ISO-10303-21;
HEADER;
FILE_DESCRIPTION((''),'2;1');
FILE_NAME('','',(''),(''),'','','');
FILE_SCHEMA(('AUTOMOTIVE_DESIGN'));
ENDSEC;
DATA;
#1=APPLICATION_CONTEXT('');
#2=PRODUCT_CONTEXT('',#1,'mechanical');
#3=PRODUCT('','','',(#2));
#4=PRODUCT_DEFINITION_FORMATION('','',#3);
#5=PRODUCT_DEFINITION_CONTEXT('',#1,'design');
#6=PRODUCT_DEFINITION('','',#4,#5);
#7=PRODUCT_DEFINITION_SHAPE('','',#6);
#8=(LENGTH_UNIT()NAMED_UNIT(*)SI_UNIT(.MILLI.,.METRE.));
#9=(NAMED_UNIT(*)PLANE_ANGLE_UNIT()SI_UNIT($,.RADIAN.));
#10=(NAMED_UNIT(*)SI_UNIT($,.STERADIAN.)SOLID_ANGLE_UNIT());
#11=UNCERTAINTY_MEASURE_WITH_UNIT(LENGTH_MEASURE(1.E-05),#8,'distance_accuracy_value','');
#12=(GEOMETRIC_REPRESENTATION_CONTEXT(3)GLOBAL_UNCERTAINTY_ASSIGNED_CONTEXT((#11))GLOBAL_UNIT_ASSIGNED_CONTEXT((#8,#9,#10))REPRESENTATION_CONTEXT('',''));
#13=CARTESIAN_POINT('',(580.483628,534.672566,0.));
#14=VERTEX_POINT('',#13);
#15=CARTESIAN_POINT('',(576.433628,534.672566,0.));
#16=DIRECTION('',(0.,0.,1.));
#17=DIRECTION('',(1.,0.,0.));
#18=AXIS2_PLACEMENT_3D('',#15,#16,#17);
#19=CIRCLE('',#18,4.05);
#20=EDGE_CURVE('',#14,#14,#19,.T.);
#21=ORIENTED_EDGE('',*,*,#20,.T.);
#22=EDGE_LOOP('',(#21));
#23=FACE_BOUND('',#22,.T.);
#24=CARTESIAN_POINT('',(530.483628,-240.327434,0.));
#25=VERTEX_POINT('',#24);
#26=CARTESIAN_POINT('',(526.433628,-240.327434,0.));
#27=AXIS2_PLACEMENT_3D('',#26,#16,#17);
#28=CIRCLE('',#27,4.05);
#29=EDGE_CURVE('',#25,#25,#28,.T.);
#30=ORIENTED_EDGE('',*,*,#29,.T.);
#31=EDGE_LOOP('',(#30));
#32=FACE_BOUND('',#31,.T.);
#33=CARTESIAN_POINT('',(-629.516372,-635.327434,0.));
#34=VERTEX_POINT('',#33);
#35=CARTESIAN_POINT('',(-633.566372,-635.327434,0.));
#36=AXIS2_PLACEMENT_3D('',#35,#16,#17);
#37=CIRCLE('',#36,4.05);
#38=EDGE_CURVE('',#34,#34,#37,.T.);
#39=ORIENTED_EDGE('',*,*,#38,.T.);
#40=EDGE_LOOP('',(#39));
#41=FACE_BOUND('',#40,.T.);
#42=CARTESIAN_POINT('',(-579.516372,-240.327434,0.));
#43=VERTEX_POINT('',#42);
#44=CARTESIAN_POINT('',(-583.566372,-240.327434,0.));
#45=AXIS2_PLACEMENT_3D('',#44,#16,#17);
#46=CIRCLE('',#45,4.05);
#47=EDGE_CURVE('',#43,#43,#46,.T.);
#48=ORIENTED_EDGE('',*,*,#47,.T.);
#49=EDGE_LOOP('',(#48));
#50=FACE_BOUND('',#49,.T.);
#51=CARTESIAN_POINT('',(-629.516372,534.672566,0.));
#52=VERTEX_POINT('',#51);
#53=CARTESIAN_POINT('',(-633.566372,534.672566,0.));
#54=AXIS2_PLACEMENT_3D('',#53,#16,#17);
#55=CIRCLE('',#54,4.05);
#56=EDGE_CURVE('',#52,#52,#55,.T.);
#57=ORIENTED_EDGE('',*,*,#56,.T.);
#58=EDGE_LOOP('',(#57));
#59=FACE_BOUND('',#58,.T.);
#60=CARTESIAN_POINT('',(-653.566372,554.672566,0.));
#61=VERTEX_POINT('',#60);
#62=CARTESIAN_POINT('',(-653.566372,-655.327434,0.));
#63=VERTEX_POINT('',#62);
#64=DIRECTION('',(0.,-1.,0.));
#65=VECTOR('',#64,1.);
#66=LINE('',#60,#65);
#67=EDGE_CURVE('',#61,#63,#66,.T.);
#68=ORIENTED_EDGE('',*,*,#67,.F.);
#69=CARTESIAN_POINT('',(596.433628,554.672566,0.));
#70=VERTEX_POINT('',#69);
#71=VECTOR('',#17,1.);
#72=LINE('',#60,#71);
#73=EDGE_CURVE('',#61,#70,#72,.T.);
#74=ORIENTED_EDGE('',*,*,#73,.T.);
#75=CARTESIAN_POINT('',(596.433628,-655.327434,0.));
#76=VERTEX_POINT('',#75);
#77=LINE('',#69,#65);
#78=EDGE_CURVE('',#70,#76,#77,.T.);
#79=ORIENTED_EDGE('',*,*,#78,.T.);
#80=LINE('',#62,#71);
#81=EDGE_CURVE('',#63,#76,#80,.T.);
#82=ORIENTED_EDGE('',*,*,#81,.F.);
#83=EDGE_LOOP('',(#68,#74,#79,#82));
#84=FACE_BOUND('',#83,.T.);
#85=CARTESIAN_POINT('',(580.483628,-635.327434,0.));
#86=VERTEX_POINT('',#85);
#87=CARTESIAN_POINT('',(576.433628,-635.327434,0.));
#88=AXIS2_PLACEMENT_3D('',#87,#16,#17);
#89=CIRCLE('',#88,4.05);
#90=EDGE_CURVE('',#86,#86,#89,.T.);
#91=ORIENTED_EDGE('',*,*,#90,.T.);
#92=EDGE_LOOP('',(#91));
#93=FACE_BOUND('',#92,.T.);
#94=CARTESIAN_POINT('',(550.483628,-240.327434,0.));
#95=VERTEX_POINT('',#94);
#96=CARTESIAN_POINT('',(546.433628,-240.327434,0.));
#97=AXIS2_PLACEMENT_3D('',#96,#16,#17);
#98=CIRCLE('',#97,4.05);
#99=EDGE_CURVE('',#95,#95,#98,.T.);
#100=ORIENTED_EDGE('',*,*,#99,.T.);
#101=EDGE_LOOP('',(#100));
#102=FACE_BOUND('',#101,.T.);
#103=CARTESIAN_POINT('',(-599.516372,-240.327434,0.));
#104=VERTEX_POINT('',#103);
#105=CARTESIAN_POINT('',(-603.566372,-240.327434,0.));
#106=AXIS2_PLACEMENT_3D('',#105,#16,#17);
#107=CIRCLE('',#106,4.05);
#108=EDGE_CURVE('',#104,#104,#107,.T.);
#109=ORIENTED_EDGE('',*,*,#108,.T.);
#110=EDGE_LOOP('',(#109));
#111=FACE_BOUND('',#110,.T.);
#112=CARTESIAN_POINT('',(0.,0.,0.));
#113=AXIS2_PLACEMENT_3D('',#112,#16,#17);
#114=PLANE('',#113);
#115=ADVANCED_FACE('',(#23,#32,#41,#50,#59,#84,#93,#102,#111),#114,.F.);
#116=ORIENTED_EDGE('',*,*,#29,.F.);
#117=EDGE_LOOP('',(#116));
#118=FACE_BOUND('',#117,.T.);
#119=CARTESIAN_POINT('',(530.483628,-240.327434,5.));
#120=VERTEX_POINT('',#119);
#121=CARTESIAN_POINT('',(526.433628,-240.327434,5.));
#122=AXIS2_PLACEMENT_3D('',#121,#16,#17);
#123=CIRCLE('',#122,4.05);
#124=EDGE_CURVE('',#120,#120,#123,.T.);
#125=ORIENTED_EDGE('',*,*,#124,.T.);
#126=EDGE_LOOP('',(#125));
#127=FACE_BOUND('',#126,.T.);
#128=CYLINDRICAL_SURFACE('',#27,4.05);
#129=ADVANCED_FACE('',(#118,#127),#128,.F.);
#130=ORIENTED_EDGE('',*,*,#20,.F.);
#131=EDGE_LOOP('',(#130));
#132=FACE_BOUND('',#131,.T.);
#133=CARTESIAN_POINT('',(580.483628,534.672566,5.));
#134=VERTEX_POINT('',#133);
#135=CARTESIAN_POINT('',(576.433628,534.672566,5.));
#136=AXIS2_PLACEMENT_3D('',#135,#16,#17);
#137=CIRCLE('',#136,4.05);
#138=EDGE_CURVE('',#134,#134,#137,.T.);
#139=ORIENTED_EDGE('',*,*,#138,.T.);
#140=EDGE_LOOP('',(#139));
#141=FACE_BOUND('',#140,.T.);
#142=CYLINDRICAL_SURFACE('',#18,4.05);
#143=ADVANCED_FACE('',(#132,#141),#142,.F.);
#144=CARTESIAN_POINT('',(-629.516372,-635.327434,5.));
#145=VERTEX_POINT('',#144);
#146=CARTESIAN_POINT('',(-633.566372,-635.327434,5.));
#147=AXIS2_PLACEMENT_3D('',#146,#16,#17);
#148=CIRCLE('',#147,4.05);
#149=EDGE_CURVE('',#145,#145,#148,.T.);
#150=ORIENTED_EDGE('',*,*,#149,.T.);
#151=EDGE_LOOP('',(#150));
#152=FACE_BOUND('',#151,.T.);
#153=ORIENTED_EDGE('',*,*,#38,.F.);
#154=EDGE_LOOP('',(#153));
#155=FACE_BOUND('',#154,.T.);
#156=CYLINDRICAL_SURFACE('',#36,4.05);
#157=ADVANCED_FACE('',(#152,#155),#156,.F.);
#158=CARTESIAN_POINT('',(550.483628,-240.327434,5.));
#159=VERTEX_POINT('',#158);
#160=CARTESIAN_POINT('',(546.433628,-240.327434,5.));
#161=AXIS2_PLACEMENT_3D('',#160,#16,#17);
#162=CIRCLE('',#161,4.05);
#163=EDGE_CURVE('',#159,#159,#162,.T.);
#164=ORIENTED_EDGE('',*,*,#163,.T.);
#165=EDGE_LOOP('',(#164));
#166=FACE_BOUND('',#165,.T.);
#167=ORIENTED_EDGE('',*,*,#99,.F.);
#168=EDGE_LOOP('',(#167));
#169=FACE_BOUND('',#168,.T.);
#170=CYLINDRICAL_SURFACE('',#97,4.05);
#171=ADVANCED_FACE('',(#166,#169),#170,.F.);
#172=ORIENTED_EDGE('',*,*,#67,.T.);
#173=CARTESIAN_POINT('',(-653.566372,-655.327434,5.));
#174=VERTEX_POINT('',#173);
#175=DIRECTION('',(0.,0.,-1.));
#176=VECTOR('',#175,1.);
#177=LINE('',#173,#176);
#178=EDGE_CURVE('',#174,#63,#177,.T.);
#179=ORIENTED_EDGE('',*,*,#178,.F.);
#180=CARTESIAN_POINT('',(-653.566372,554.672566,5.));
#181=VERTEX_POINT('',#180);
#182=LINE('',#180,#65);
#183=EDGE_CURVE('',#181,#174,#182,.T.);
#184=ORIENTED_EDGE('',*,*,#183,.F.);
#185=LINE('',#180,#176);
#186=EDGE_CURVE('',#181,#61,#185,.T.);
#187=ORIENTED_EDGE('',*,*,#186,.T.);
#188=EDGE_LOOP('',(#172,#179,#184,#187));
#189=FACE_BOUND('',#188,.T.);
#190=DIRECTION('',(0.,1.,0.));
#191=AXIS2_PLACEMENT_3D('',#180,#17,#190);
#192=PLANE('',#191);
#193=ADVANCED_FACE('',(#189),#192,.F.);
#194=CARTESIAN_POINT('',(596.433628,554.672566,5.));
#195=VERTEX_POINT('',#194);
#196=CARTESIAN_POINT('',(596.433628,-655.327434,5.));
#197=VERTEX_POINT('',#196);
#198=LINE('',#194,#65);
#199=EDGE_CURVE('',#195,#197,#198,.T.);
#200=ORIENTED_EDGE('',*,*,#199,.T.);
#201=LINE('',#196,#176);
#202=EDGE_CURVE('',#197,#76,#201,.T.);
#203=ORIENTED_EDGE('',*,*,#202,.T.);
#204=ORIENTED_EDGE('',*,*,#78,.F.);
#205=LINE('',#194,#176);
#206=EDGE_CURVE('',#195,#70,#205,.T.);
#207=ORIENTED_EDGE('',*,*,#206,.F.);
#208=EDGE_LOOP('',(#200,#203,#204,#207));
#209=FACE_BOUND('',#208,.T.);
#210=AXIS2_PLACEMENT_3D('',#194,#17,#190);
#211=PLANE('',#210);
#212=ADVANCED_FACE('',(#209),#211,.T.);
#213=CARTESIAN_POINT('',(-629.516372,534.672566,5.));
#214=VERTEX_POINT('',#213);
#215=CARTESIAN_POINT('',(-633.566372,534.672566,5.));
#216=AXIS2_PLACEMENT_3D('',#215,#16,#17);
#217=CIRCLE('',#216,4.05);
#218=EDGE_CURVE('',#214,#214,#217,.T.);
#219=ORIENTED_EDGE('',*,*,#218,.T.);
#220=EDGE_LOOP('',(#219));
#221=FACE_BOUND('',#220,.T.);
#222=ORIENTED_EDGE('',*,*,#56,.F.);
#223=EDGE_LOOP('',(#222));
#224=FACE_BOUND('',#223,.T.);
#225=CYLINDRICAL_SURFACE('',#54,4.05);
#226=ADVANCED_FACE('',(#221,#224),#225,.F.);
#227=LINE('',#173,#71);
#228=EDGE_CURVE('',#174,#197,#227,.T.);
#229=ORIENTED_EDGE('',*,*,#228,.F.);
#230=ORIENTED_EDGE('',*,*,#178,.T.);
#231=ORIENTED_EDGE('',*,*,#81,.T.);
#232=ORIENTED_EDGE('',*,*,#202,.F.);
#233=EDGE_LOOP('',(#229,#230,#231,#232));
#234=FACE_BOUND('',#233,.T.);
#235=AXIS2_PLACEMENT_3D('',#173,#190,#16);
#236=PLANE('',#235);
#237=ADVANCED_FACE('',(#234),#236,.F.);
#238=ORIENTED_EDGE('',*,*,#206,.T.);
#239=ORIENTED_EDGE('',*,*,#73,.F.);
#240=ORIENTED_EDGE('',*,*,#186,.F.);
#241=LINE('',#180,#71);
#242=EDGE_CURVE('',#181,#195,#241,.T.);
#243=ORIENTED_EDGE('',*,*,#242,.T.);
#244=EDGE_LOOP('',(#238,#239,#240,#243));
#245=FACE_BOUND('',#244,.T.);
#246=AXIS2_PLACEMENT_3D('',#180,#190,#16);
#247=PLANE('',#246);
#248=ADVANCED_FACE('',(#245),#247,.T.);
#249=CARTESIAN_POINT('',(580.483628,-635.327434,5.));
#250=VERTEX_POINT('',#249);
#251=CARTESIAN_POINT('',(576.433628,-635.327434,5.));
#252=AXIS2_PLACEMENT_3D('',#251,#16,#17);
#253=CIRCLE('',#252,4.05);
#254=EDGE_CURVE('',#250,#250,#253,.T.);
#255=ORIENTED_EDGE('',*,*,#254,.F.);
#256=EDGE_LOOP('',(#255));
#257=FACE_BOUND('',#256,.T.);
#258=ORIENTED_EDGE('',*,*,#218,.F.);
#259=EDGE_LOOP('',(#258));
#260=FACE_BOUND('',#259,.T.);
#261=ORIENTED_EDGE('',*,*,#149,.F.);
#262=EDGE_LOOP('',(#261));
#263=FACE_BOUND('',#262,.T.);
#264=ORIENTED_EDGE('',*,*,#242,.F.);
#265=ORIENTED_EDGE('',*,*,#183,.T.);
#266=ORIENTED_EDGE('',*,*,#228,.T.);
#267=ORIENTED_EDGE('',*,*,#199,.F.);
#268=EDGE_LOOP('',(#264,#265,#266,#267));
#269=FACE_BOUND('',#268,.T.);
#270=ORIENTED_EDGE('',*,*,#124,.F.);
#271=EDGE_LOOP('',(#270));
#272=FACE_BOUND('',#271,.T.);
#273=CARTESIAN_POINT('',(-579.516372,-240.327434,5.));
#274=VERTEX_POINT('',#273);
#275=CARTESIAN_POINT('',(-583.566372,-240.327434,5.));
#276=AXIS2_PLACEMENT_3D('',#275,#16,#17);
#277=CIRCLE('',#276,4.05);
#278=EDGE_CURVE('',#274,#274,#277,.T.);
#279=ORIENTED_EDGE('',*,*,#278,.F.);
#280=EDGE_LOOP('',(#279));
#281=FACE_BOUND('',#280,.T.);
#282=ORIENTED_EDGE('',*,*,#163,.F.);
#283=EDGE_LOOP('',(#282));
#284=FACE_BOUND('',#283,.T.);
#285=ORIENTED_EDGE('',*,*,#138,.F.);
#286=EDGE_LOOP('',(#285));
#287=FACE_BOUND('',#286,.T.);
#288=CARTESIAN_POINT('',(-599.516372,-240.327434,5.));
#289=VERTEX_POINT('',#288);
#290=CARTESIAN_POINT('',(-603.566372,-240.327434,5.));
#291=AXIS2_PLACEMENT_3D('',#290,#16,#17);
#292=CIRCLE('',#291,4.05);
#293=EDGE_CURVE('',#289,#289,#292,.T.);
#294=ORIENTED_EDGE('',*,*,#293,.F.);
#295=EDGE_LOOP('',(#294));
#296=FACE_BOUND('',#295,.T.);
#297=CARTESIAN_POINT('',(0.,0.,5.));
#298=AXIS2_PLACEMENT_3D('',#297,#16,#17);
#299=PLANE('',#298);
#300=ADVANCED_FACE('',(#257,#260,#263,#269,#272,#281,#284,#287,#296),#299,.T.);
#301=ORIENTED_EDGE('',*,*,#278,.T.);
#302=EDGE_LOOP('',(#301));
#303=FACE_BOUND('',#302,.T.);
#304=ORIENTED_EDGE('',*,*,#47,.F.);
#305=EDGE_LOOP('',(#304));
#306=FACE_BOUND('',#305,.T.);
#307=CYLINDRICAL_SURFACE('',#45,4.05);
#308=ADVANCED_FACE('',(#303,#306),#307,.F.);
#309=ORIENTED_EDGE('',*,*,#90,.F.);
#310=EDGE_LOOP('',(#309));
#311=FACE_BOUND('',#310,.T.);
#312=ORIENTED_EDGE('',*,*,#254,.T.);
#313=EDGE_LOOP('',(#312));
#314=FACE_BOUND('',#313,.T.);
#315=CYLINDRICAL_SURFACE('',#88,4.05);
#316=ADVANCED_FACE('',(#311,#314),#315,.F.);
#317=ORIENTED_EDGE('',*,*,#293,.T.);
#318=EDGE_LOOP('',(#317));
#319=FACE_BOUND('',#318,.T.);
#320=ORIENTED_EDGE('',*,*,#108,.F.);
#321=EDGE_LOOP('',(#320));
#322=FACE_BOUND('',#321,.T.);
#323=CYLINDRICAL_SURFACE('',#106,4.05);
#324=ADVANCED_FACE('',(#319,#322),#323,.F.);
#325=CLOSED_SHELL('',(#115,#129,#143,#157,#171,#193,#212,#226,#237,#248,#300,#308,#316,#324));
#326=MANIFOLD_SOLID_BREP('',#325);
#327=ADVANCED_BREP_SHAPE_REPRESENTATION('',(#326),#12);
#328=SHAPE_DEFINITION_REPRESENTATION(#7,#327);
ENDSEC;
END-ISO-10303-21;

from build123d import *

# Parameters (mm, degrees)
SKETCH_1_W          = 1250
SKETCH_1_H          = 1210
EXTRUDE_1_DEPTH     = 5
SKETCH_2_R          = 4.05
CUT_EXTRUDE_1_DEPTH = 5
SKETCH_3_R          = 4.05
CUT_EXTRUDE_2_DEPTH = 5


with BuildPart() as part:
    # 草图1 → 凸台-拉伸1 (new body)
    with BuildSketch(Plane.XY):
        with Locations((-28.566371681, -50.327433628)):
            Rectangle(SKETCH_1_W, SKETCH_1_H)
    extrude(amount=EXTRUDE_1_DEPTH)

    # 草图2 → 切除-拉伸1 (cut)
    with BuildSketch(Plane.XY.offset(5)):
        with Locations((-633.566371681, 534.672566372)):
            Circle(SKETCH_2_R)
        with Locations((576.433628319, 534.672566372)):
            Circle(SKETCH_2_R)
        with Locations((576.433628319, -635.327433628)):
            Circle(SKETCH_2_R)
        with Locations((-633.566371681, -635.327433628)):
            Circle(SKETCH_2_R)
    extrude(amount=-CUT_EXTRUDE_1_DEPTH, mode=Mode.SUBTRACT)

    # 草图3 → 切除-拉伸2 (cut)
    with BuildSketch(Plane.XY.offset(5)):
        with Locations((-603.566371681, -240.327433628)):
            Circle(SKETCH_3_R)
        with Locations((526.433628319, -240.327433628)):
            Circle(SKETCH_3_R)
        with Locations((-583.566371681, -240.327433628)):
            Circle(SKETCH_3_R)
        with Locations((546.433628319, -240.327433628)):
            Circle(SKETCH_3_R)
    extrude(amount=-CUT_EXTRUDE_2_DEPTH, mode=Mode.SUBTRACT)


solid = part.part
